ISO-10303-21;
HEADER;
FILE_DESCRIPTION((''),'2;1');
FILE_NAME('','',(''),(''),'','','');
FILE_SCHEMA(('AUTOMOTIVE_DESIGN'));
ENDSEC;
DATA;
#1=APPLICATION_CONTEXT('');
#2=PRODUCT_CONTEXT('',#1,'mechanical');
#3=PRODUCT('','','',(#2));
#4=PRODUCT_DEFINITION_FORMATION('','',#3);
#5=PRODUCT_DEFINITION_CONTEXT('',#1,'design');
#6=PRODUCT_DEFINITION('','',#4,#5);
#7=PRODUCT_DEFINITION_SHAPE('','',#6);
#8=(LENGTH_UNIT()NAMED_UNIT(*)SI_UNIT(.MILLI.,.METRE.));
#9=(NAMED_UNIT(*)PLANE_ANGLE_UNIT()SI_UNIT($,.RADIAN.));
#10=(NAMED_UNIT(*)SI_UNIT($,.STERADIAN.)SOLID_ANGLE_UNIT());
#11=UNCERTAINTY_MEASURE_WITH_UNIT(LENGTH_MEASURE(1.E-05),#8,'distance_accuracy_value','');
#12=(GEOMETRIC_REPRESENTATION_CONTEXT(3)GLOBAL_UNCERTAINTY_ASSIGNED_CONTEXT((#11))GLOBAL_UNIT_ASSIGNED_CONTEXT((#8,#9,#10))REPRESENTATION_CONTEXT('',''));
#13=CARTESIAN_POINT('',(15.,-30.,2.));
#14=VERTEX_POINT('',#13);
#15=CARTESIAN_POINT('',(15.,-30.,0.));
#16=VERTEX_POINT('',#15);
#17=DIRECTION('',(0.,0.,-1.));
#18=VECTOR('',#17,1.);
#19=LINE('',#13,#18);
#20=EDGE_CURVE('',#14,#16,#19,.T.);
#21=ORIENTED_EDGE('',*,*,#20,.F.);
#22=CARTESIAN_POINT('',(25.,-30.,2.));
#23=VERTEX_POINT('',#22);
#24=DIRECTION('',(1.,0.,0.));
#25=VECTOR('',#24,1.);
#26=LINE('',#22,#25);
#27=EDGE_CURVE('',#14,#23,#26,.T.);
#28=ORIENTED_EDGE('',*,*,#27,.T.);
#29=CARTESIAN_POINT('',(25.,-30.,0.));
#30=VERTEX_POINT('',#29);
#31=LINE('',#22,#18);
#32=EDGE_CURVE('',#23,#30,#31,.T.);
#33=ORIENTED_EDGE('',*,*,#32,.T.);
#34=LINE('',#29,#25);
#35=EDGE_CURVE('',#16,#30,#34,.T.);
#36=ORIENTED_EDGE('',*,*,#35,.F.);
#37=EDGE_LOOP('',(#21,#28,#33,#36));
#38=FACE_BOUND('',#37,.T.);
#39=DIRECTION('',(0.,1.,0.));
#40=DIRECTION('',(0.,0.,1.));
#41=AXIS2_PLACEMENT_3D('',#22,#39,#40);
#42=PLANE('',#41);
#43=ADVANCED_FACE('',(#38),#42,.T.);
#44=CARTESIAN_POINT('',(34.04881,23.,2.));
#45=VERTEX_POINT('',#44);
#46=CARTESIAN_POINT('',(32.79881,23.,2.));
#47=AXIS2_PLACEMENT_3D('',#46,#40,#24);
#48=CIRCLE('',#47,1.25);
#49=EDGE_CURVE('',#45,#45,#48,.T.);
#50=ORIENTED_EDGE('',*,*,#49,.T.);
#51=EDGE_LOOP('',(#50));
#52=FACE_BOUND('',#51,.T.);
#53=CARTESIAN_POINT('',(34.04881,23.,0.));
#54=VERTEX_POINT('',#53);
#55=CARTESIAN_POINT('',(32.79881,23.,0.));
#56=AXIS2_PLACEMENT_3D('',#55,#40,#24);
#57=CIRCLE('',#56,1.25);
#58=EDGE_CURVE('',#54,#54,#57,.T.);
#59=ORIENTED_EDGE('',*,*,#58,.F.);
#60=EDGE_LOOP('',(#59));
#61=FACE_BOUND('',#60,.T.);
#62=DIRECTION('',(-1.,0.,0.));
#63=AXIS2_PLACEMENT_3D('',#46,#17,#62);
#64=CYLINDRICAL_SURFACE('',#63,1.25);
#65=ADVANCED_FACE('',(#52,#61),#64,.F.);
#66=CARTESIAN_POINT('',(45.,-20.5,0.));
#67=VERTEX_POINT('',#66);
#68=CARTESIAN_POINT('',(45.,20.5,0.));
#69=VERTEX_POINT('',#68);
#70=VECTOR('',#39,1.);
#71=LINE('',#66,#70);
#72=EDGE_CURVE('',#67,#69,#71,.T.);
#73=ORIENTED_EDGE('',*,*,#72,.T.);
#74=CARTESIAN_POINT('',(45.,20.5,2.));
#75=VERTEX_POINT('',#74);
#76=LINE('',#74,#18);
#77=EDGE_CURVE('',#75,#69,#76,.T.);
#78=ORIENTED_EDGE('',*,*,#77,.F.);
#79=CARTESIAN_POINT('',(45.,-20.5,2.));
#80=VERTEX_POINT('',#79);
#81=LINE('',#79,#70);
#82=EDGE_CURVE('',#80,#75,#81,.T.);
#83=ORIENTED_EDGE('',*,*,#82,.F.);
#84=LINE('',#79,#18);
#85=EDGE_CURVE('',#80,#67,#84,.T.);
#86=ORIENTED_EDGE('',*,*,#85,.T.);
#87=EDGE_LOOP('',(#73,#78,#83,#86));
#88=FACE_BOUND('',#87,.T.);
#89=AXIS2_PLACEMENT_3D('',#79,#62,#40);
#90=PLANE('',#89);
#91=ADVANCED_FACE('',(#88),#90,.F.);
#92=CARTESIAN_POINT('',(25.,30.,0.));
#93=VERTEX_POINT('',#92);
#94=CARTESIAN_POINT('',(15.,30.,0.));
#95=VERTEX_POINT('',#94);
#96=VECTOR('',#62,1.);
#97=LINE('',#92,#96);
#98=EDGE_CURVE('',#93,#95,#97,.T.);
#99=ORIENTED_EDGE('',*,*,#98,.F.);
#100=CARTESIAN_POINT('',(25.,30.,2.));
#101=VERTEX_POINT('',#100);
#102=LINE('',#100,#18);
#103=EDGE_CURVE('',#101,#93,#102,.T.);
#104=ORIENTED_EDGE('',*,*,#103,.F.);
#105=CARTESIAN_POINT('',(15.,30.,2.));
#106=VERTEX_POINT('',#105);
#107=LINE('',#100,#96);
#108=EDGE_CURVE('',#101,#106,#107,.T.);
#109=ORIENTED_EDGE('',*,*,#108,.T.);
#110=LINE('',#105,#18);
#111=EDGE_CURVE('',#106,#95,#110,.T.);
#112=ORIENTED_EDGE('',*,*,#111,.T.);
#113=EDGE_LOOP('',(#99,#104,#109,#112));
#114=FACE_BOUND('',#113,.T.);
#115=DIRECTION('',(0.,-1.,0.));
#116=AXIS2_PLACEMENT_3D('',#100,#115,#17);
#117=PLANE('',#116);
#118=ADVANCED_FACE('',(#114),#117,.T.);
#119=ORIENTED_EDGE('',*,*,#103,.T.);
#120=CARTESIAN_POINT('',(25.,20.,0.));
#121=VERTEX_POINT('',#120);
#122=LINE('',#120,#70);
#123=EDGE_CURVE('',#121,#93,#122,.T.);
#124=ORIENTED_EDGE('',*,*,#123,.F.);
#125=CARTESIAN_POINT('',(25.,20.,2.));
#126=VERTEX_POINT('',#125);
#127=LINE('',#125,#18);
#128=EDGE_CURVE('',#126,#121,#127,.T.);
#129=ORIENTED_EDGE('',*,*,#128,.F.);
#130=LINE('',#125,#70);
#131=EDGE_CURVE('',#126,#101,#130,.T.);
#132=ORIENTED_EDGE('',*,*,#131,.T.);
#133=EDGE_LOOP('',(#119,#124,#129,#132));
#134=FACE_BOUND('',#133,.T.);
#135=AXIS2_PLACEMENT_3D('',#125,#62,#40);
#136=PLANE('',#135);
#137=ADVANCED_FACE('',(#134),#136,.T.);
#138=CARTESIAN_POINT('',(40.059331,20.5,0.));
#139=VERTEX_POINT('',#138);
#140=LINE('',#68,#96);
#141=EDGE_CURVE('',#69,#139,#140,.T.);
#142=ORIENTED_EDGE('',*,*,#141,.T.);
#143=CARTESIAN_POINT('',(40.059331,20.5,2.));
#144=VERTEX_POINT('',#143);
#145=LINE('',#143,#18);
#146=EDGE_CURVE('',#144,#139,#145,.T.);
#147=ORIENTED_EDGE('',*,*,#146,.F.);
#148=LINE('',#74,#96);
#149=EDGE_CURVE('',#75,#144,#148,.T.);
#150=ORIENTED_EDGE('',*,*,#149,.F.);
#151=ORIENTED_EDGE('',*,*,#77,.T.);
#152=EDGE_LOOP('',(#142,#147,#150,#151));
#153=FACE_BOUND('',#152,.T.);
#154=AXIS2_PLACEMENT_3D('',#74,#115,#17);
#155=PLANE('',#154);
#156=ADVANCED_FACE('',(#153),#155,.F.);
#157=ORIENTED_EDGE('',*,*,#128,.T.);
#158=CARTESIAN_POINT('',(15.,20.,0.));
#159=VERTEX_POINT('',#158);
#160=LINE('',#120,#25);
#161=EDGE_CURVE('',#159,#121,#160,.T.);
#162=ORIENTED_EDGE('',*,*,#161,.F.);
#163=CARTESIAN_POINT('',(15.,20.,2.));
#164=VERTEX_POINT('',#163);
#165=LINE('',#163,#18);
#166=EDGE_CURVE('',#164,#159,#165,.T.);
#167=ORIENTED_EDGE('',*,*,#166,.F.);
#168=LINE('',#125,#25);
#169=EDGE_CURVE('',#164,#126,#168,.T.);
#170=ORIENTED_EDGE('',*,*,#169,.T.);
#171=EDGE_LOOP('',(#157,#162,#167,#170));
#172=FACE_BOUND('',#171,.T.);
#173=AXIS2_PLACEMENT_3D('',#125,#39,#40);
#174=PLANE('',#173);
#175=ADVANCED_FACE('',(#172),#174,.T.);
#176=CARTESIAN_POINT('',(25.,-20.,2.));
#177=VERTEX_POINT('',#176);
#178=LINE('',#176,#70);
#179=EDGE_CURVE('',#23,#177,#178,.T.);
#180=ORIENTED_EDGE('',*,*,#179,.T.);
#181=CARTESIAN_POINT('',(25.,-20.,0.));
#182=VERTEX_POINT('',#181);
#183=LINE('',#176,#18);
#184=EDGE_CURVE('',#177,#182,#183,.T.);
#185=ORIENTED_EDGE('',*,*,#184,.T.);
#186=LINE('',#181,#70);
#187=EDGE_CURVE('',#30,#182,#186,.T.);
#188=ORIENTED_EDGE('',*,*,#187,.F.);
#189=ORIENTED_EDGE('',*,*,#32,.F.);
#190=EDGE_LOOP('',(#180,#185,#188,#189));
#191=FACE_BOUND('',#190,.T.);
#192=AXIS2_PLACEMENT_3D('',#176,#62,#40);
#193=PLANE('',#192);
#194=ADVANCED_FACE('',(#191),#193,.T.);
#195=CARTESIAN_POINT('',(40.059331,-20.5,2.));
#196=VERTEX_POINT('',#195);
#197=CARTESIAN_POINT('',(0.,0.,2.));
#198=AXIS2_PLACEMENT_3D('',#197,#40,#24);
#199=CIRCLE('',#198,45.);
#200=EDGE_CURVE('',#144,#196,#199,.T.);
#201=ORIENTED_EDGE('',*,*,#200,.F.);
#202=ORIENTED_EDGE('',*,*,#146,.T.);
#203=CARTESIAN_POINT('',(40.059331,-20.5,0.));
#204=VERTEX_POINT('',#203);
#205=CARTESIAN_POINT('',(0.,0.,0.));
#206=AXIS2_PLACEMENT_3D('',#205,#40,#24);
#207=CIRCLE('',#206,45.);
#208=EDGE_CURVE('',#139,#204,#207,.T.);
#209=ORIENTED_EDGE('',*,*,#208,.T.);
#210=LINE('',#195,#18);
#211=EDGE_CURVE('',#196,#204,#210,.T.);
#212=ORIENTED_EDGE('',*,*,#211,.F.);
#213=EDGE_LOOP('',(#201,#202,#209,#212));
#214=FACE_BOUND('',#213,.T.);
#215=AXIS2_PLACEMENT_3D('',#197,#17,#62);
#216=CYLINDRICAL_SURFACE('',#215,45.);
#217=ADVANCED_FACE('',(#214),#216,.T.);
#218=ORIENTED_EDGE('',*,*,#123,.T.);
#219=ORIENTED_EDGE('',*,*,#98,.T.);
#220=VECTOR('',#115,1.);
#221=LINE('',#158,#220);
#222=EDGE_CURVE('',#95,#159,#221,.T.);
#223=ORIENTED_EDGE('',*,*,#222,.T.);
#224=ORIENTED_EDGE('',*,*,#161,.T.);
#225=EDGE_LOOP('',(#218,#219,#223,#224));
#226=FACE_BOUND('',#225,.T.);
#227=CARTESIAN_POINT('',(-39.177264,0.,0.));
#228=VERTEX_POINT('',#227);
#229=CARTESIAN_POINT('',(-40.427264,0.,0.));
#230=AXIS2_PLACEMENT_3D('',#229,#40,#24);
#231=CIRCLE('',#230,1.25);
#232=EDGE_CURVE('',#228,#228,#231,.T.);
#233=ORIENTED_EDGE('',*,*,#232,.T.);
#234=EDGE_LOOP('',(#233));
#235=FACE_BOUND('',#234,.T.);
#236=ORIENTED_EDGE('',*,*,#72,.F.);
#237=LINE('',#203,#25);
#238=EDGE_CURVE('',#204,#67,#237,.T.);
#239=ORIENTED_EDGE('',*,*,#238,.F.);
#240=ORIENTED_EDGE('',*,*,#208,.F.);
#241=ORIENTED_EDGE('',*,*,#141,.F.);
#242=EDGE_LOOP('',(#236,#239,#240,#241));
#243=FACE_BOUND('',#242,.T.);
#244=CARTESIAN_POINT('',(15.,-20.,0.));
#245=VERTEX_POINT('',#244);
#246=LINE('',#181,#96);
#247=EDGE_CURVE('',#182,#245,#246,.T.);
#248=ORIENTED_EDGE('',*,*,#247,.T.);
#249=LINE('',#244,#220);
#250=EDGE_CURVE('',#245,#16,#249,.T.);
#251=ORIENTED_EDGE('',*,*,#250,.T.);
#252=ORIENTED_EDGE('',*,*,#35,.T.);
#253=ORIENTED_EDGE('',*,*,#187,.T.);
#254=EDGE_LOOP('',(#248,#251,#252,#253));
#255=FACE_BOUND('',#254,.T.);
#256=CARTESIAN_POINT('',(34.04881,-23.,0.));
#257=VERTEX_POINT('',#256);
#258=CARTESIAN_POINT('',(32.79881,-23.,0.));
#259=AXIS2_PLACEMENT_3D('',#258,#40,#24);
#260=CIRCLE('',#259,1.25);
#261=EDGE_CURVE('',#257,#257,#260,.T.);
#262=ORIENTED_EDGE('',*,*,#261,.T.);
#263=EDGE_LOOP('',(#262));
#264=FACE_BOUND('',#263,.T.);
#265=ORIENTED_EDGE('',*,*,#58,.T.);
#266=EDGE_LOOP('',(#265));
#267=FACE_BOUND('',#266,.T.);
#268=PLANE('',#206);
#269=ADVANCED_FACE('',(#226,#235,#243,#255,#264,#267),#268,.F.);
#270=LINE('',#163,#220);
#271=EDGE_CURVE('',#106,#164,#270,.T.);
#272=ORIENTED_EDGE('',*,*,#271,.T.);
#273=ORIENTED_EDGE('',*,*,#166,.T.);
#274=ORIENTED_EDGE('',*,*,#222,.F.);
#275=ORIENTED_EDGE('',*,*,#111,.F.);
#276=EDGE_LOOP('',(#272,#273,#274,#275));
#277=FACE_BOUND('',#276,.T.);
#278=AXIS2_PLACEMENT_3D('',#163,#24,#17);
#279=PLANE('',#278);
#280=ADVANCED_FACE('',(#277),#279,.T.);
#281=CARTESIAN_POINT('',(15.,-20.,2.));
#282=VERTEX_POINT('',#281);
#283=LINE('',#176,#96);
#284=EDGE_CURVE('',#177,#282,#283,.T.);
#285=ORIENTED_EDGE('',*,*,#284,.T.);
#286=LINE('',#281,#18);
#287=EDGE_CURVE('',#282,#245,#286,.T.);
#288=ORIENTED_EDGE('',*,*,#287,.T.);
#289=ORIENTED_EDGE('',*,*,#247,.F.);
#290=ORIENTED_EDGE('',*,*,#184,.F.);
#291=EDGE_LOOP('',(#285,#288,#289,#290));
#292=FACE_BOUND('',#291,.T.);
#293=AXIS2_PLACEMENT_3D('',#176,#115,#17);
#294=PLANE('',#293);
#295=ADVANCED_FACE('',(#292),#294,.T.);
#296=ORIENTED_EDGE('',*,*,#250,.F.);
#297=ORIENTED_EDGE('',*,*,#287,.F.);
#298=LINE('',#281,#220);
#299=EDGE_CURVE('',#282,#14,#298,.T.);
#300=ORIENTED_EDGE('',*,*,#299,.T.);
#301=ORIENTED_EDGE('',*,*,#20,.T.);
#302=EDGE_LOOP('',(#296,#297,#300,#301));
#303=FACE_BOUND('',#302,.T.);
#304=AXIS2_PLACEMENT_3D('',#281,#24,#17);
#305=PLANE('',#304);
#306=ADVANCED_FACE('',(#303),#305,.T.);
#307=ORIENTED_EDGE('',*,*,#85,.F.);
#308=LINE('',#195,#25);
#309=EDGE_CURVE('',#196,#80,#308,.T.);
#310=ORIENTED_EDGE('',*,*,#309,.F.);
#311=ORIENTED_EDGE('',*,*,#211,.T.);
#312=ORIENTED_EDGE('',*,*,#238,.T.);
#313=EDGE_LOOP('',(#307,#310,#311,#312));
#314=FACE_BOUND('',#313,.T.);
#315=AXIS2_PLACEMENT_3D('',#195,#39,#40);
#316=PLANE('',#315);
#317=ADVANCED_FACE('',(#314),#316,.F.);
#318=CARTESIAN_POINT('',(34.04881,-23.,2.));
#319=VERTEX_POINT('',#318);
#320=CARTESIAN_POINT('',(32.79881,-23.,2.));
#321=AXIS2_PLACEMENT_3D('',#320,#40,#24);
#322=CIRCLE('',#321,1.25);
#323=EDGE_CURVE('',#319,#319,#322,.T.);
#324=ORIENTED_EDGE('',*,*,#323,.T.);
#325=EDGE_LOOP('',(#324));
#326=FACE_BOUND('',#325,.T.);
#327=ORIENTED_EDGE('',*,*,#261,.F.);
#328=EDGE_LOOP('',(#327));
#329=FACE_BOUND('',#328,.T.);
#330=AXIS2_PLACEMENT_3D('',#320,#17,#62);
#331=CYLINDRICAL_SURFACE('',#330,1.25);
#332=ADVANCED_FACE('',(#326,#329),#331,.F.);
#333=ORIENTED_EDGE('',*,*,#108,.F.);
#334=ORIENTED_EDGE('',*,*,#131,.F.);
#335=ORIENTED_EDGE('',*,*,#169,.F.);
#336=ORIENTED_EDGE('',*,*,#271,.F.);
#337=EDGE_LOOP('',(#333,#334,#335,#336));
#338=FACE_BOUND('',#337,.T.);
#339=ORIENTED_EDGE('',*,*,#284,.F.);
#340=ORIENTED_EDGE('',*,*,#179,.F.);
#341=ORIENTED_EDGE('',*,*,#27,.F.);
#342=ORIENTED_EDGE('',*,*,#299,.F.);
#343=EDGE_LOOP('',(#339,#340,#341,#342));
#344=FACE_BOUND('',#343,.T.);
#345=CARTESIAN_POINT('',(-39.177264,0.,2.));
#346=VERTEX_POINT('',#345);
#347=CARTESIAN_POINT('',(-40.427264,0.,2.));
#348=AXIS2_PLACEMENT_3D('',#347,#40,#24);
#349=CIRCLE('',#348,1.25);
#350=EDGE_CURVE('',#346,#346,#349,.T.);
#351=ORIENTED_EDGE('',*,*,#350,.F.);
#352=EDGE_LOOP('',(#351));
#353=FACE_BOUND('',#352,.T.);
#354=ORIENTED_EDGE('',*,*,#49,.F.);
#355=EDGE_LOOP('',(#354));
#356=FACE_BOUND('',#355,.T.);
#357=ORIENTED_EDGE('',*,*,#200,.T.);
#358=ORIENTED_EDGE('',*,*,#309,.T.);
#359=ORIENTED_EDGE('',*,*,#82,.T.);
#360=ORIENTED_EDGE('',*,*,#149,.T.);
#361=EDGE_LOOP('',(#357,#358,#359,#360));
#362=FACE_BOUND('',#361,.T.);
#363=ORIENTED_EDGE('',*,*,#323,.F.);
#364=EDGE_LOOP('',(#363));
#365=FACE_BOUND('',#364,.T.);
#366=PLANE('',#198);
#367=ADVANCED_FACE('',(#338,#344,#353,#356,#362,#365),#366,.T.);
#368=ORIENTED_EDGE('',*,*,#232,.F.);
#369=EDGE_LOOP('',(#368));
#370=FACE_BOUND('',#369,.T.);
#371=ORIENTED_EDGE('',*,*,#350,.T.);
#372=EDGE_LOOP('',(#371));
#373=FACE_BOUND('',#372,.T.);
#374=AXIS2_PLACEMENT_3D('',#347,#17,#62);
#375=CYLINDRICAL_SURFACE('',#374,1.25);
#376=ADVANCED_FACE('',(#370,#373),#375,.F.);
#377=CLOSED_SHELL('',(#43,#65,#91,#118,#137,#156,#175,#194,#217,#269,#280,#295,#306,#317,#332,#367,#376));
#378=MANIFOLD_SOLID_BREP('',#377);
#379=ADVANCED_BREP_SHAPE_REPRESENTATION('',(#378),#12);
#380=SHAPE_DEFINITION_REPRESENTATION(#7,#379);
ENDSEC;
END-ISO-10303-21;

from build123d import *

# Parameters (mm, degrees)
SKETCH1_R  = 1.25
SKETCH1_W  = 10
SKETCH1_H  = 10
BODY_DEPTH = 2


with BuildPart() as part:
    # Sketch1 → Body (new body)
    with BuildSketch(Plane.XY):
        with BuildLine():
            Line((45, 20.5), (40.059330998, 20.5))
            ThreePointArc((40.059330998, 20.5), (-45, 0), (40.059330998, -20.5))
            Line((40.059330998, -20.5), (45, -20.5))
            Line((45, -20.5), (45, 20.5))
        make_face()
        with Locations((-40.427264064, 0)):
            Circle(SKETCH1_R, mode=Mode.SUBTRACT)
        with Locations((32.798809505, -23)):
            Circle(SKETCH1_R, mode=Mode.SUBTRACT)
        with Locations((32.798809505, 23)):
            Circle(SKETCH1_R, mode=Mode.SUBTRACT)
        with Locations((20, 25)):
            Rectangle(SKETCH1_W, SKETCH1_H, mode=Mode.SUBTRACT)
        with Locations((20, -25)):
            Rectangle(SKETCH1_W, SKETCH1_H, mode=Mode.SUBTRACT)
    extrude(amount=BODY_DEPTH)


solid = part.part
